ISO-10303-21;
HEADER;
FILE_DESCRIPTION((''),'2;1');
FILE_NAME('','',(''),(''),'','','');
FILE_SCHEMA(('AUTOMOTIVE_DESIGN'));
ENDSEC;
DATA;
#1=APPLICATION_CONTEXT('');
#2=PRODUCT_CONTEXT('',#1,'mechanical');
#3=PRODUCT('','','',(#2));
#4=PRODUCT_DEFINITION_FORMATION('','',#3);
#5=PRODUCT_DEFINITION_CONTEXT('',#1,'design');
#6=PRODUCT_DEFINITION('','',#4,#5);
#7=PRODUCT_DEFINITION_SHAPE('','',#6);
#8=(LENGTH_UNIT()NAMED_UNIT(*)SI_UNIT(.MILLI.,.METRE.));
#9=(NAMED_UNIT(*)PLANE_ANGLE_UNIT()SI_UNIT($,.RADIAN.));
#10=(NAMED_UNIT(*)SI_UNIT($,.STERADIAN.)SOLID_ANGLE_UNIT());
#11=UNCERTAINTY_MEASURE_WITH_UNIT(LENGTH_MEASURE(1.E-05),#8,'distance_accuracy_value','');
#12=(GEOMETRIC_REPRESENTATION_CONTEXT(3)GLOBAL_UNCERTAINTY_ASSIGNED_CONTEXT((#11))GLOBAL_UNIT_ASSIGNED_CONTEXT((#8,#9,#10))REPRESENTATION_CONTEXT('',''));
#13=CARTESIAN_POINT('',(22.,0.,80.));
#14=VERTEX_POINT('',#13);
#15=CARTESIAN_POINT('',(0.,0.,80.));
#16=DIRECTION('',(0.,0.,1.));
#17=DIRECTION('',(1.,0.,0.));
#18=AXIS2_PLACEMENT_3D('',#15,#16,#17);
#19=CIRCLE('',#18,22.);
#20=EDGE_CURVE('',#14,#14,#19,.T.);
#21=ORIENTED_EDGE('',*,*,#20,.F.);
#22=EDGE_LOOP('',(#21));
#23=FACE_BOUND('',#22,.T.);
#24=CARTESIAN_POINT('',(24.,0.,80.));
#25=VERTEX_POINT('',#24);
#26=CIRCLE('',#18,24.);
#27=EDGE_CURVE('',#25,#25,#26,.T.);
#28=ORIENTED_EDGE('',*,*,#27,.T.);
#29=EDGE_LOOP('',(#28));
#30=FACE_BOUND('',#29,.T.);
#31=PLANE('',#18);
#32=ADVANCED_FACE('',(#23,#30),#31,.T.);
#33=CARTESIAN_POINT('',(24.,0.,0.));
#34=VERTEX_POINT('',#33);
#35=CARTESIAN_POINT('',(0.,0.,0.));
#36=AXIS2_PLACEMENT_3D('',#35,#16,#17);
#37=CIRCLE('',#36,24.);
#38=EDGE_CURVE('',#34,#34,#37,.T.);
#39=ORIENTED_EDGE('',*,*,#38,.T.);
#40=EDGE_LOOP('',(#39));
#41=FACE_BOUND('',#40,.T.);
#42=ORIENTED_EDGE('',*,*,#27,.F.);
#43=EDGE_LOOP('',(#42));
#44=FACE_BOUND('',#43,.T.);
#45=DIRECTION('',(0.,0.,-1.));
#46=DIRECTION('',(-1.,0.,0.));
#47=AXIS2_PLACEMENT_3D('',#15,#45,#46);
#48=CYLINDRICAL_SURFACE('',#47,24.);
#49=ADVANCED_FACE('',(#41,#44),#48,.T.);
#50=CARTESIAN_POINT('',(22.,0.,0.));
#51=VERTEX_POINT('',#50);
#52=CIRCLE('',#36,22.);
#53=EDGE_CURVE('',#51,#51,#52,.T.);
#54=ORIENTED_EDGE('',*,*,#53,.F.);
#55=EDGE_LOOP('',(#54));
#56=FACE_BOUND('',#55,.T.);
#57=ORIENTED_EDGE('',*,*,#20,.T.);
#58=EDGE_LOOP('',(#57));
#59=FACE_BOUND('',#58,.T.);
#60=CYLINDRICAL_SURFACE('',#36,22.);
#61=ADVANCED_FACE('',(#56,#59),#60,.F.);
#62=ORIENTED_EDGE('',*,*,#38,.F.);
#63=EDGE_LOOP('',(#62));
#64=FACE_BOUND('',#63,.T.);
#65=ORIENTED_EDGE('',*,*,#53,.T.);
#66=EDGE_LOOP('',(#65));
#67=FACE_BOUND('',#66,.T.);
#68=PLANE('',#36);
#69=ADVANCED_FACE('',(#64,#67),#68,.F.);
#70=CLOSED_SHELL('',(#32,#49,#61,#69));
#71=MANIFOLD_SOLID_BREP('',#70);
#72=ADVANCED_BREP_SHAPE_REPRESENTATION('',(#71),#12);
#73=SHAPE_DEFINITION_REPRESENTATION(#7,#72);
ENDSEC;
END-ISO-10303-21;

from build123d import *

# Parameters (mm, degrees)
ESQUISSE1_R             = 24
BOSS_EXTRU_2_DEPTH      = 80
ESQUISSE2_R             = 22
ENL_V_MAT_EXTRU_1_DEPTH = 80


with BuildPart() as part:
    # Esquisse1 → Boss.-Extru.2 (new body)
    with BuildSketch(Plane.XY):
        Circle(ESQUISSE1_R)
    extrude(amount=BOSS_EXTRU_2_DEPTH)

    # Esquisse2 → Enlèv. mat.-Extru.1 (cut)
    with BuildSketch(Plane.XY.offset(80)):
        Circle(ESQUISSE2_R)
    extrude(amount=-ENL_V_MAT_EXTRU_1_DEPTH, mode=Mode.SUBTRACT)


solid = part.part
